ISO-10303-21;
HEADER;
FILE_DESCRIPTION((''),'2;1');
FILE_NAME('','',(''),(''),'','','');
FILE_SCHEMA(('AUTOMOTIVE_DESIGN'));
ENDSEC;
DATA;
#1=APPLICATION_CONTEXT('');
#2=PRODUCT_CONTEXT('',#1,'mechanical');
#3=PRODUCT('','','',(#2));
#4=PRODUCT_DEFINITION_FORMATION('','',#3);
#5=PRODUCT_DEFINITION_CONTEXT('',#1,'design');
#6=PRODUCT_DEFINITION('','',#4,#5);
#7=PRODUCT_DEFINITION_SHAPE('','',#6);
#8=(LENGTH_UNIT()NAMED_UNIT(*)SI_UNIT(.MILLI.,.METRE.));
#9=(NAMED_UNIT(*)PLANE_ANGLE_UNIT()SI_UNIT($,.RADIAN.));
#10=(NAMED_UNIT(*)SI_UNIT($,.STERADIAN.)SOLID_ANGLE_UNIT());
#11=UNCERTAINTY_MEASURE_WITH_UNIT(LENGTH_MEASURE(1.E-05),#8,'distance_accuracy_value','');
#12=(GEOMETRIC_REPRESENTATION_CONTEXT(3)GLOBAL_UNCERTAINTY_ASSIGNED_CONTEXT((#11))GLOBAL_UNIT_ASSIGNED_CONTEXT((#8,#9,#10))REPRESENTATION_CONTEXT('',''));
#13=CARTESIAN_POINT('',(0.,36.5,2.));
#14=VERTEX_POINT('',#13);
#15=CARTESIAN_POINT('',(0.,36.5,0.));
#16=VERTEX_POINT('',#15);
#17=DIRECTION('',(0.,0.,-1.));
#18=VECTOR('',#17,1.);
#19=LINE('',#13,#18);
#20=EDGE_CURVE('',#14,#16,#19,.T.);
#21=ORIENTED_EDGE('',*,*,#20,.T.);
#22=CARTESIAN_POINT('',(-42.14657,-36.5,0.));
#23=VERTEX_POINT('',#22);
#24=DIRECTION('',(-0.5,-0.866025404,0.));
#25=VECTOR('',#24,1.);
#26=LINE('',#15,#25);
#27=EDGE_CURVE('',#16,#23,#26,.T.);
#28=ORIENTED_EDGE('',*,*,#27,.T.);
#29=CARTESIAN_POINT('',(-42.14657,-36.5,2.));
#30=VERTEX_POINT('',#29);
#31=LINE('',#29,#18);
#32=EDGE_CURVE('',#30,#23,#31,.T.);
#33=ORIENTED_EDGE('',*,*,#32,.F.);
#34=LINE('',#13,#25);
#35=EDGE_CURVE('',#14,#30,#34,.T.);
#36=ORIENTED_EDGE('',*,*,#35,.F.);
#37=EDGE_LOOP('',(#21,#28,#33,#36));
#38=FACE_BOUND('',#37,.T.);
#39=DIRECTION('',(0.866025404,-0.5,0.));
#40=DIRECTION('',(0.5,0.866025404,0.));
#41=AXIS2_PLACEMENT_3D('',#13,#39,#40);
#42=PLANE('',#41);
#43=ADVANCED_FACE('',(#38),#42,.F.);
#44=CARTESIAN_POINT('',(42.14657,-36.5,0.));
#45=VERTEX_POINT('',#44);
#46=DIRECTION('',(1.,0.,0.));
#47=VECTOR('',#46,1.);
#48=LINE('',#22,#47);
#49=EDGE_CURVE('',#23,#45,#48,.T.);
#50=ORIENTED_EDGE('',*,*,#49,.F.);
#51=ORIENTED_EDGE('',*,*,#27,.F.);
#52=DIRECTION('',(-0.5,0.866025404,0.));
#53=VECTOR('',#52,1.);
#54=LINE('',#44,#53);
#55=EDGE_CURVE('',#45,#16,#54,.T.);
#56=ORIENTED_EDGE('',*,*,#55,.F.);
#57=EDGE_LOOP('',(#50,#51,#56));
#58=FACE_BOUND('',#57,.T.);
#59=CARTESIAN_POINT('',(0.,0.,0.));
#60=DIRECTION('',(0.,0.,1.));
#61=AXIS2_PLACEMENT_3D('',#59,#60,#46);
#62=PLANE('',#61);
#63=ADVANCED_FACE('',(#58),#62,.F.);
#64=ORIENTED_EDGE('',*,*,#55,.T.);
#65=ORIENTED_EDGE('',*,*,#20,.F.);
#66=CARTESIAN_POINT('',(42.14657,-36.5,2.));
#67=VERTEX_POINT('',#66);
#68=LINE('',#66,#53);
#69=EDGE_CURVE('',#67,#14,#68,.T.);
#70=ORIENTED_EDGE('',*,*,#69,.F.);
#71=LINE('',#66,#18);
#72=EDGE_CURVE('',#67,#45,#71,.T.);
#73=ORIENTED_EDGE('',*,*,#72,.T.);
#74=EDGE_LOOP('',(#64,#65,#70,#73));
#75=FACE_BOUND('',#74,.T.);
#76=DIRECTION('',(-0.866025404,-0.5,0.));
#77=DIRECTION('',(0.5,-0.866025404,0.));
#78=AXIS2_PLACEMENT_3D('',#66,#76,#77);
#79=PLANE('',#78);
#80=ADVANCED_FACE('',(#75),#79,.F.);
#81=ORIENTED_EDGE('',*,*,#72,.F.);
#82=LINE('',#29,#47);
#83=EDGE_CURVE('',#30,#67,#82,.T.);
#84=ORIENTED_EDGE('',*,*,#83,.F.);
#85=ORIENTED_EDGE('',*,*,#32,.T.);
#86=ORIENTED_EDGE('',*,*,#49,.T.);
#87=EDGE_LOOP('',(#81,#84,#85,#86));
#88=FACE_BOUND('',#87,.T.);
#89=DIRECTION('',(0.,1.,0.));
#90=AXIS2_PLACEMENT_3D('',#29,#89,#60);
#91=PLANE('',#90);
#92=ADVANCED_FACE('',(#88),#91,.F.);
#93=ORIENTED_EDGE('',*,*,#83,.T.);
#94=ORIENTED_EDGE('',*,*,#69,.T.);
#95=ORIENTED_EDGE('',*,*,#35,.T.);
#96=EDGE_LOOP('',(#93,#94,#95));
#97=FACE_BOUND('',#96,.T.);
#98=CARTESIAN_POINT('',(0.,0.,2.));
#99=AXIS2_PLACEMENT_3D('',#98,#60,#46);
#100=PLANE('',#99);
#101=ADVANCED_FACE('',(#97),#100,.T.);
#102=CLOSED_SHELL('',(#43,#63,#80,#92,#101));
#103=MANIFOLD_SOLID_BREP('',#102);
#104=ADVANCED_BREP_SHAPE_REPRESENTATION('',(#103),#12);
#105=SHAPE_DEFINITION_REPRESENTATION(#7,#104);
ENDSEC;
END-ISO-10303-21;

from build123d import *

# Parameters (mm, degrees)
BOSS_EXTRUDE1_DEPTH = 2


with BuildPart() as part:
    # Sketch1 → Boss-Extrude1 (new body)
    with BuildSketch(Plane.XY):
        Polygon((0, 36.5), (-42.146569651, -36.5), (42.146569651, -36.5), align=None)
    extrude(amount=BOSS_EXTRUDE1_DEPTH)


solid = part.part
